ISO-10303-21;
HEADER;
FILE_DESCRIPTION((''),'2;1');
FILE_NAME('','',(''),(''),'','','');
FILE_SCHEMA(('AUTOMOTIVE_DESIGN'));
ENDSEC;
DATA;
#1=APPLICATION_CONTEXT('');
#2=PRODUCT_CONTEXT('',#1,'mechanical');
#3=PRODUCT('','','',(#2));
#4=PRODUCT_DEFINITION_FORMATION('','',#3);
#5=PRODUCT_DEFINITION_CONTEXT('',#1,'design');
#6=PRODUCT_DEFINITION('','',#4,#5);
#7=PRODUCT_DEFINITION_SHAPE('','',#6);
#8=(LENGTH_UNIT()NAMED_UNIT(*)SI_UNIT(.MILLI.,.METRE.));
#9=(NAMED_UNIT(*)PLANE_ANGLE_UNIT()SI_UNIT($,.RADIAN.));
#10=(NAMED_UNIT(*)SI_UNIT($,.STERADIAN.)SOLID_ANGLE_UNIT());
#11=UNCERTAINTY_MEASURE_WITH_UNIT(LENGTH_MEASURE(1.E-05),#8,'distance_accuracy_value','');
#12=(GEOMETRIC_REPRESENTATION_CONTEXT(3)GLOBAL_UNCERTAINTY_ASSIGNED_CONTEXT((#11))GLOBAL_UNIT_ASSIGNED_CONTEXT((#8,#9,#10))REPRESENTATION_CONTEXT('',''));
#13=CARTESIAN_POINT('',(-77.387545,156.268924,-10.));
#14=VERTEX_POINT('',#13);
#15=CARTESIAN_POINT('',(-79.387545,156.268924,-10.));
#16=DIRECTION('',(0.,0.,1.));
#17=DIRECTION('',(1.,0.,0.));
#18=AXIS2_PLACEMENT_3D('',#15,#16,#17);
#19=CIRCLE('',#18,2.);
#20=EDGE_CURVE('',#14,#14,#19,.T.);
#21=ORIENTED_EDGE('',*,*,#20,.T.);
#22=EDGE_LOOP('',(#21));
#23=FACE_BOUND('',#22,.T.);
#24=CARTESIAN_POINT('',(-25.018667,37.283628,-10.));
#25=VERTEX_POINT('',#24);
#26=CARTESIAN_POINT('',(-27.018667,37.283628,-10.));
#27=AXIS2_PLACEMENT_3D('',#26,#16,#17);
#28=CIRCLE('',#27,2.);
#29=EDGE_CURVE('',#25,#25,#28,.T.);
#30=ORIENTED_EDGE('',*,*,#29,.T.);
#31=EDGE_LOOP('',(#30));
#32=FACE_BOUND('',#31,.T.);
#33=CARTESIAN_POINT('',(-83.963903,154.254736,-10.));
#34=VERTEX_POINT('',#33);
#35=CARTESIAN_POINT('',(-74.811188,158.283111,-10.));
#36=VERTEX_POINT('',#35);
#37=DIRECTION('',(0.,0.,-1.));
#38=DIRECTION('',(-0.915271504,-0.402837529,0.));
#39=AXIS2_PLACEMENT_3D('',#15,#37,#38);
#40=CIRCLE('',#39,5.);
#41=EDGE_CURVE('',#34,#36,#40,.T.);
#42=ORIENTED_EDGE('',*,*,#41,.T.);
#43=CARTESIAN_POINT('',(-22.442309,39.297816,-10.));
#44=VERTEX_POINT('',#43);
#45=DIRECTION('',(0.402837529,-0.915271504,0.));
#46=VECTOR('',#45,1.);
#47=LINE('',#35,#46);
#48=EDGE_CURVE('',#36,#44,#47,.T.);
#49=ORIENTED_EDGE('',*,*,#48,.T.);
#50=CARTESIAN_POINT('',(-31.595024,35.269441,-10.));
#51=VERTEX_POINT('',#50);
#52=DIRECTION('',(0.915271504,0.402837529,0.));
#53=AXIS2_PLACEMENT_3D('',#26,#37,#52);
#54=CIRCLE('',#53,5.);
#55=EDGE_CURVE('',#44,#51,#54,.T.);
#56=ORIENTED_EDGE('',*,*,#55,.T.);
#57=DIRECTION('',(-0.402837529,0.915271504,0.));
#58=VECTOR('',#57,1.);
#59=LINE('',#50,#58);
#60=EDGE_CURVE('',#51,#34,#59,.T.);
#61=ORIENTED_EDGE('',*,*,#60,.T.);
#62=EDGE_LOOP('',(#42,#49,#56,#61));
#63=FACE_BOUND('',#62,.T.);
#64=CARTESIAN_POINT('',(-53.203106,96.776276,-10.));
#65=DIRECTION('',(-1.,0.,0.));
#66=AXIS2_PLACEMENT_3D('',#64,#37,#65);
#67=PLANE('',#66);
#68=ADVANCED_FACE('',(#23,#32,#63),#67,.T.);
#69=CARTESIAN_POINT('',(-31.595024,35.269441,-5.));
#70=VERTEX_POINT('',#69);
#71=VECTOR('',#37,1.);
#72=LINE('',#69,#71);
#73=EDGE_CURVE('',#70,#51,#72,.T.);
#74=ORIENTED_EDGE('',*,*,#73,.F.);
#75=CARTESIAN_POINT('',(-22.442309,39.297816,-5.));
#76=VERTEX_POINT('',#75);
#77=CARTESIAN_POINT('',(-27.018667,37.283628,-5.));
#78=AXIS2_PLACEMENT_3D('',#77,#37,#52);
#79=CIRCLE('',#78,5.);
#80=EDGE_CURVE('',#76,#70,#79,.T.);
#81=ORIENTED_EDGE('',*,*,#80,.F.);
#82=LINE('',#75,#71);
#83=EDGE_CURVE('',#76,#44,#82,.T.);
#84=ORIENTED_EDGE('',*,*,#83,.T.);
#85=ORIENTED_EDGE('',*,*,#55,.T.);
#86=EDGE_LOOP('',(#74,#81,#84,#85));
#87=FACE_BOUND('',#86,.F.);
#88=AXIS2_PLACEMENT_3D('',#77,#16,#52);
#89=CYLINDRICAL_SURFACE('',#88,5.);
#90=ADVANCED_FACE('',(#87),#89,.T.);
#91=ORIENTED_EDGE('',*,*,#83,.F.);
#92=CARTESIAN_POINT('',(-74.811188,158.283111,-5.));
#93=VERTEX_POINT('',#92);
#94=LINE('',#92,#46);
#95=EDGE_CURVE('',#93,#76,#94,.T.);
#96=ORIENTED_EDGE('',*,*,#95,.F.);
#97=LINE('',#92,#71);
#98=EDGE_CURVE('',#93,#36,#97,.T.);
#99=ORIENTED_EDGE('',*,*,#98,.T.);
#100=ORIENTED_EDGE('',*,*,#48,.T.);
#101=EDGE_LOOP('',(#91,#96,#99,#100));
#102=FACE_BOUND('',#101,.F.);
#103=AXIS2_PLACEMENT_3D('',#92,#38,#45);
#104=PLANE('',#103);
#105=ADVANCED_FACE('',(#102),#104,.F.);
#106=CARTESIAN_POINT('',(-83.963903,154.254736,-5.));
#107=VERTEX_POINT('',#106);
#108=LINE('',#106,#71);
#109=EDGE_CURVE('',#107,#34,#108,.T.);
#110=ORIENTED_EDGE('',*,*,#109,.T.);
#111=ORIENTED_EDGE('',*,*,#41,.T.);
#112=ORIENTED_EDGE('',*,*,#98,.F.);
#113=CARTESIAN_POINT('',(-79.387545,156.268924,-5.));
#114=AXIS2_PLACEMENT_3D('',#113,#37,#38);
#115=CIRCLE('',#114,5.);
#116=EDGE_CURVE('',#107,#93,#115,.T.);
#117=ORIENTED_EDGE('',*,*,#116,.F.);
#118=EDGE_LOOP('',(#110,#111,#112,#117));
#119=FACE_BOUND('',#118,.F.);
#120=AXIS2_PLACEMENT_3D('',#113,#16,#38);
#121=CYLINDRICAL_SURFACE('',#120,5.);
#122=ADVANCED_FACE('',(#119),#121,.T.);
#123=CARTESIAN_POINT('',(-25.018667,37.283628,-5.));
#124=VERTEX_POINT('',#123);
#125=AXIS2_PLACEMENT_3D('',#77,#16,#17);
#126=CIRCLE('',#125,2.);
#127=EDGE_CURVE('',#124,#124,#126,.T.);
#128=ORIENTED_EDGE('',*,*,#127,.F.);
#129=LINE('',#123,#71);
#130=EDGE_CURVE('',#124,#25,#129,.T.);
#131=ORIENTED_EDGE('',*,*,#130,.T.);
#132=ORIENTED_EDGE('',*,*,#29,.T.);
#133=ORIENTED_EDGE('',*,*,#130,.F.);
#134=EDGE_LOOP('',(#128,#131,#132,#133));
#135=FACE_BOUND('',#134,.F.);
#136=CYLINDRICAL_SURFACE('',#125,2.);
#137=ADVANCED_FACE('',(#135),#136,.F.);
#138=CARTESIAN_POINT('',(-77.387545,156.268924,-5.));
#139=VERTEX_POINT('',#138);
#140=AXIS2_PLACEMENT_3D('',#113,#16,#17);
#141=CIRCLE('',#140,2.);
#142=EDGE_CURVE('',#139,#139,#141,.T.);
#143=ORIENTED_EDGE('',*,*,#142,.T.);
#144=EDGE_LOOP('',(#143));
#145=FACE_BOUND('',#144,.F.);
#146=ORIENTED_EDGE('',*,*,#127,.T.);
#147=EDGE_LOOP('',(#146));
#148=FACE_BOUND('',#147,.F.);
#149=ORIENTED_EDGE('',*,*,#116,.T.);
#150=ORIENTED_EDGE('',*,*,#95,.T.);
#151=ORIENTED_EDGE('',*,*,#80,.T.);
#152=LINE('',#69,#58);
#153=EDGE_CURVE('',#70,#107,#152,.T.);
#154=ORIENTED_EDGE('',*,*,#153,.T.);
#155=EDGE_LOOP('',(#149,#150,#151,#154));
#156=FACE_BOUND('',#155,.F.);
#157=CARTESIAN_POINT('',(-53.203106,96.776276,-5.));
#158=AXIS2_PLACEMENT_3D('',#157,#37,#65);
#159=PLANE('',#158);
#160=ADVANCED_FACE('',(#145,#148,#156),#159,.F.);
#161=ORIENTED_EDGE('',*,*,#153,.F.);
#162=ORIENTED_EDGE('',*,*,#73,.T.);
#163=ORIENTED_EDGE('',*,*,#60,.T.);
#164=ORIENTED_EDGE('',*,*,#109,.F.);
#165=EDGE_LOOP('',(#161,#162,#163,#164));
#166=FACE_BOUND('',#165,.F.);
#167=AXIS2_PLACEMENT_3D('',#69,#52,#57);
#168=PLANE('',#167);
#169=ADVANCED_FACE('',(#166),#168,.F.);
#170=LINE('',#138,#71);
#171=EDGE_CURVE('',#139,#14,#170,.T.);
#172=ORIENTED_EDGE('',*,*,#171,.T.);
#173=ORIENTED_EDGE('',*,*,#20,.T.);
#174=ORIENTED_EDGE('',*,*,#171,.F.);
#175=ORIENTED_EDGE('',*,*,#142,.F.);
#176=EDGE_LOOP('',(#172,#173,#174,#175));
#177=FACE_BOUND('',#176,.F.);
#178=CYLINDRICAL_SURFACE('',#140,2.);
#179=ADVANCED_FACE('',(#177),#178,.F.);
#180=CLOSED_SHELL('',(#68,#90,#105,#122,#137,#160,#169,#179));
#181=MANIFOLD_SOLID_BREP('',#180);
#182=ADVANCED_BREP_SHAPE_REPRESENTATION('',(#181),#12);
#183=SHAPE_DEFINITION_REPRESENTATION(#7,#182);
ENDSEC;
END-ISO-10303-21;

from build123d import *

# Parameters (mm, degrees)
BOSS_EXTRUDE1_START = -5
SKETCH1_R           = 2
BOSS_EXTRUDE1_DEPTH = 5


with BuildPart() as part:
    # Sketch1 → Boss-Extrude1 (new body)
    with BuildSketch(Plane.XY.offset(BOSS_EXTRUDE1_START)):
        with BuildLine():
            Line((-74.811187919, 158.283111414), (-22.442309188, 39.297815934))
            ThreePointArc((-22.442309188, 39.297815934), (-25.004479063, 32.707270772), (-31.595024225, 35.269440647))
            Line((-31.595024225, 35.269440647), (-83.963902956, 154.254736127))
            ThreePointArc((-83.963902956, 154.254736127), (-81.401733081, 160.845281289), (-74.811187919, 158.283111414))
        make_face()
        with Locations((-79.387545438, 156.26892377)):
            Circle(SKETCH1_R, mode=Mode.SUBTRACT)
        with Locations((-27.018666706, 37.283628291)):
            Circle(SKETCH1_R, mode=Mode.SUBTRACT)
    extrude(amount=-BOSS_EXTRUDE1_DEPTH)


solid = part.part
